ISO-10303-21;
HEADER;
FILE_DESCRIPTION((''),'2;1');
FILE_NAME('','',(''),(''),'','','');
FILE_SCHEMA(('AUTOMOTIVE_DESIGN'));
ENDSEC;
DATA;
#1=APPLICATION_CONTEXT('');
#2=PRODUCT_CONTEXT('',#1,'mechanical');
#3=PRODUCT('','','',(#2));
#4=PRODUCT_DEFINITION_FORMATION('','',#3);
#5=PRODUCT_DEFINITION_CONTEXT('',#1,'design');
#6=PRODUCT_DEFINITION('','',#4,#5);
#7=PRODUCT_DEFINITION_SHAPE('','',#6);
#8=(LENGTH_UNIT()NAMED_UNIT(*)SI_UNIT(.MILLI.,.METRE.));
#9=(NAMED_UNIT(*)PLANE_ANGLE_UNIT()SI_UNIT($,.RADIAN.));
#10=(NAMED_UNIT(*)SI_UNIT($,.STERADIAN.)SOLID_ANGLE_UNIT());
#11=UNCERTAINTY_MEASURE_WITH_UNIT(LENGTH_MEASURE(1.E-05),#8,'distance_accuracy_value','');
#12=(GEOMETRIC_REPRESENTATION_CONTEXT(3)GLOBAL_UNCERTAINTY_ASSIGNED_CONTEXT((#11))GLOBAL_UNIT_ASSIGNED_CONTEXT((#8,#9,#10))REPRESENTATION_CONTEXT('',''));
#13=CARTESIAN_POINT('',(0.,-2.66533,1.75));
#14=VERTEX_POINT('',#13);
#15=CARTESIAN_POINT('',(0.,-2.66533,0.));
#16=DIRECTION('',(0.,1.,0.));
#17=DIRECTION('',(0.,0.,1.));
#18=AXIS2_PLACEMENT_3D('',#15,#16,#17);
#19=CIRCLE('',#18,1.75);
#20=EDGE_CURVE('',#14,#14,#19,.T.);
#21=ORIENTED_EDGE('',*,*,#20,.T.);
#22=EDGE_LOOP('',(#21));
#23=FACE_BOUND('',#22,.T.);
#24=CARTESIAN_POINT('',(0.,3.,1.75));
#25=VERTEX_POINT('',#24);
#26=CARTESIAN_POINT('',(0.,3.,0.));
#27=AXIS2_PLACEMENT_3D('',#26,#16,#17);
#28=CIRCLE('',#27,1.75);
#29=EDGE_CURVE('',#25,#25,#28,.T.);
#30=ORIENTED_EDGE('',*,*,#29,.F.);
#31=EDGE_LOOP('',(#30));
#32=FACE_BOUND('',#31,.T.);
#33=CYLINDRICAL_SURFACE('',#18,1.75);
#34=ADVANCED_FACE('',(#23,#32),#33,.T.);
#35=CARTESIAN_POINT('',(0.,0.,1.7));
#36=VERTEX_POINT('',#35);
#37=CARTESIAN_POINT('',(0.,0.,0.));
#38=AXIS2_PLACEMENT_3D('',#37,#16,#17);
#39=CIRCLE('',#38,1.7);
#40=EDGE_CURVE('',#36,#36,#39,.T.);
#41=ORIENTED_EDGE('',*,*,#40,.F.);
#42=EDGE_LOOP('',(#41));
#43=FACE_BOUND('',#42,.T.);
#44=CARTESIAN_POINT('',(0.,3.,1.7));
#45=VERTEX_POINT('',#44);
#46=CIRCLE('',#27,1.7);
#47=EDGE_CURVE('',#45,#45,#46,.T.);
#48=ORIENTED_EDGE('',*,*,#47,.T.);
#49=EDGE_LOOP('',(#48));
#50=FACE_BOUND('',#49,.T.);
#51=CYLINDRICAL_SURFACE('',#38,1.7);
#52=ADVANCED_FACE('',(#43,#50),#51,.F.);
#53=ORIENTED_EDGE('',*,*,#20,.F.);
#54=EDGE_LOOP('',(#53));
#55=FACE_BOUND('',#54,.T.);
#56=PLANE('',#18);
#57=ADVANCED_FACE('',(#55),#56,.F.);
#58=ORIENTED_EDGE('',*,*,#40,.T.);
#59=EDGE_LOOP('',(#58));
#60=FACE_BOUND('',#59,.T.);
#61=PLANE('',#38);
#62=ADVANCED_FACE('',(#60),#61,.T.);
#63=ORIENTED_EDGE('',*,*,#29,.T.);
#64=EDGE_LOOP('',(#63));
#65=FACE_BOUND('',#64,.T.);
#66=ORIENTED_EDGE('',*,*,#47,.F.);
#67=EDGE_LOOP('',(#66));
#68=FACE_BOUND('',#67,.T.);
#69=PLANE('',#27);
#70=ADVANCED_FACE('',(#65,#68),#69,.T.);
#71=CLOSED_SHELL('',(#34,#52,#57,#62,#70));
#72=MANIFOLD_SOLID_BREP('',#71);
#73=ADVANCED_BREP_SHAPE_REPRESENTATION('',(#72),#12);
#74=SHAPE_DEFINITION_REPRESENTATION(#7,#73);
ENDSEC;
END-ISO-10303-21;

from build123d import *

# Parameters (mm, degrees)
BOSS_EXTRUDE1_DEPTH      = 3
BOSS_EXTRUDE1_DEPTH_BACK = 2.665329602
SKETCH1_R                = 1.75
CUT_EXTRUDE1_DEPTH       = 7.182310207
CUT_EXTRUDE1_DEPTH_BACK  = 3
SKETCH2_R                = 1.7


with BuildPart() as part:
    # Sketch1 → Boss-Extrude1 (new, two sides: drawn at the far end of the back side and taken through both)
    with BuildSketch(Plane(origin=(0, 0, 0), x_dir=(1, 0, 0), z_dir=(0, 1, 0)).offset(-BOSS_EXTRUDE1_DEPTH_BACK)):
        with Locations(Location((0, 0, 0), (0, 0, 270))):
            Circle(SKETCH1_R)
    extrude(amount=BOSS_EXTRUDE1_DEPTH + BOSS_EXTRUDE1_DEPTH_BACK)

    # Sketch2 → Cut-Extrude1 (cut, two sides: drawn at the far end of the back side and taken through both)
    with BuildSketch(Plane(origin=(0, 3, 0), x_dir=(1, 0, 0), z_dir=(0, 1, 0)).offset(-CUT_EXTRUDE1_DEPTH_BACK)):
        with Locations(Location((0, 0, 0), (0, 0, 270))):
            Circle(SKETCH2_R)
    extrude(amount=CUT_EXTRUDE1_DEPTH + CUT_EXTRUDE1_DEPTH_BACK, mode=Mode.SUBTRACT)


solid = part.part
